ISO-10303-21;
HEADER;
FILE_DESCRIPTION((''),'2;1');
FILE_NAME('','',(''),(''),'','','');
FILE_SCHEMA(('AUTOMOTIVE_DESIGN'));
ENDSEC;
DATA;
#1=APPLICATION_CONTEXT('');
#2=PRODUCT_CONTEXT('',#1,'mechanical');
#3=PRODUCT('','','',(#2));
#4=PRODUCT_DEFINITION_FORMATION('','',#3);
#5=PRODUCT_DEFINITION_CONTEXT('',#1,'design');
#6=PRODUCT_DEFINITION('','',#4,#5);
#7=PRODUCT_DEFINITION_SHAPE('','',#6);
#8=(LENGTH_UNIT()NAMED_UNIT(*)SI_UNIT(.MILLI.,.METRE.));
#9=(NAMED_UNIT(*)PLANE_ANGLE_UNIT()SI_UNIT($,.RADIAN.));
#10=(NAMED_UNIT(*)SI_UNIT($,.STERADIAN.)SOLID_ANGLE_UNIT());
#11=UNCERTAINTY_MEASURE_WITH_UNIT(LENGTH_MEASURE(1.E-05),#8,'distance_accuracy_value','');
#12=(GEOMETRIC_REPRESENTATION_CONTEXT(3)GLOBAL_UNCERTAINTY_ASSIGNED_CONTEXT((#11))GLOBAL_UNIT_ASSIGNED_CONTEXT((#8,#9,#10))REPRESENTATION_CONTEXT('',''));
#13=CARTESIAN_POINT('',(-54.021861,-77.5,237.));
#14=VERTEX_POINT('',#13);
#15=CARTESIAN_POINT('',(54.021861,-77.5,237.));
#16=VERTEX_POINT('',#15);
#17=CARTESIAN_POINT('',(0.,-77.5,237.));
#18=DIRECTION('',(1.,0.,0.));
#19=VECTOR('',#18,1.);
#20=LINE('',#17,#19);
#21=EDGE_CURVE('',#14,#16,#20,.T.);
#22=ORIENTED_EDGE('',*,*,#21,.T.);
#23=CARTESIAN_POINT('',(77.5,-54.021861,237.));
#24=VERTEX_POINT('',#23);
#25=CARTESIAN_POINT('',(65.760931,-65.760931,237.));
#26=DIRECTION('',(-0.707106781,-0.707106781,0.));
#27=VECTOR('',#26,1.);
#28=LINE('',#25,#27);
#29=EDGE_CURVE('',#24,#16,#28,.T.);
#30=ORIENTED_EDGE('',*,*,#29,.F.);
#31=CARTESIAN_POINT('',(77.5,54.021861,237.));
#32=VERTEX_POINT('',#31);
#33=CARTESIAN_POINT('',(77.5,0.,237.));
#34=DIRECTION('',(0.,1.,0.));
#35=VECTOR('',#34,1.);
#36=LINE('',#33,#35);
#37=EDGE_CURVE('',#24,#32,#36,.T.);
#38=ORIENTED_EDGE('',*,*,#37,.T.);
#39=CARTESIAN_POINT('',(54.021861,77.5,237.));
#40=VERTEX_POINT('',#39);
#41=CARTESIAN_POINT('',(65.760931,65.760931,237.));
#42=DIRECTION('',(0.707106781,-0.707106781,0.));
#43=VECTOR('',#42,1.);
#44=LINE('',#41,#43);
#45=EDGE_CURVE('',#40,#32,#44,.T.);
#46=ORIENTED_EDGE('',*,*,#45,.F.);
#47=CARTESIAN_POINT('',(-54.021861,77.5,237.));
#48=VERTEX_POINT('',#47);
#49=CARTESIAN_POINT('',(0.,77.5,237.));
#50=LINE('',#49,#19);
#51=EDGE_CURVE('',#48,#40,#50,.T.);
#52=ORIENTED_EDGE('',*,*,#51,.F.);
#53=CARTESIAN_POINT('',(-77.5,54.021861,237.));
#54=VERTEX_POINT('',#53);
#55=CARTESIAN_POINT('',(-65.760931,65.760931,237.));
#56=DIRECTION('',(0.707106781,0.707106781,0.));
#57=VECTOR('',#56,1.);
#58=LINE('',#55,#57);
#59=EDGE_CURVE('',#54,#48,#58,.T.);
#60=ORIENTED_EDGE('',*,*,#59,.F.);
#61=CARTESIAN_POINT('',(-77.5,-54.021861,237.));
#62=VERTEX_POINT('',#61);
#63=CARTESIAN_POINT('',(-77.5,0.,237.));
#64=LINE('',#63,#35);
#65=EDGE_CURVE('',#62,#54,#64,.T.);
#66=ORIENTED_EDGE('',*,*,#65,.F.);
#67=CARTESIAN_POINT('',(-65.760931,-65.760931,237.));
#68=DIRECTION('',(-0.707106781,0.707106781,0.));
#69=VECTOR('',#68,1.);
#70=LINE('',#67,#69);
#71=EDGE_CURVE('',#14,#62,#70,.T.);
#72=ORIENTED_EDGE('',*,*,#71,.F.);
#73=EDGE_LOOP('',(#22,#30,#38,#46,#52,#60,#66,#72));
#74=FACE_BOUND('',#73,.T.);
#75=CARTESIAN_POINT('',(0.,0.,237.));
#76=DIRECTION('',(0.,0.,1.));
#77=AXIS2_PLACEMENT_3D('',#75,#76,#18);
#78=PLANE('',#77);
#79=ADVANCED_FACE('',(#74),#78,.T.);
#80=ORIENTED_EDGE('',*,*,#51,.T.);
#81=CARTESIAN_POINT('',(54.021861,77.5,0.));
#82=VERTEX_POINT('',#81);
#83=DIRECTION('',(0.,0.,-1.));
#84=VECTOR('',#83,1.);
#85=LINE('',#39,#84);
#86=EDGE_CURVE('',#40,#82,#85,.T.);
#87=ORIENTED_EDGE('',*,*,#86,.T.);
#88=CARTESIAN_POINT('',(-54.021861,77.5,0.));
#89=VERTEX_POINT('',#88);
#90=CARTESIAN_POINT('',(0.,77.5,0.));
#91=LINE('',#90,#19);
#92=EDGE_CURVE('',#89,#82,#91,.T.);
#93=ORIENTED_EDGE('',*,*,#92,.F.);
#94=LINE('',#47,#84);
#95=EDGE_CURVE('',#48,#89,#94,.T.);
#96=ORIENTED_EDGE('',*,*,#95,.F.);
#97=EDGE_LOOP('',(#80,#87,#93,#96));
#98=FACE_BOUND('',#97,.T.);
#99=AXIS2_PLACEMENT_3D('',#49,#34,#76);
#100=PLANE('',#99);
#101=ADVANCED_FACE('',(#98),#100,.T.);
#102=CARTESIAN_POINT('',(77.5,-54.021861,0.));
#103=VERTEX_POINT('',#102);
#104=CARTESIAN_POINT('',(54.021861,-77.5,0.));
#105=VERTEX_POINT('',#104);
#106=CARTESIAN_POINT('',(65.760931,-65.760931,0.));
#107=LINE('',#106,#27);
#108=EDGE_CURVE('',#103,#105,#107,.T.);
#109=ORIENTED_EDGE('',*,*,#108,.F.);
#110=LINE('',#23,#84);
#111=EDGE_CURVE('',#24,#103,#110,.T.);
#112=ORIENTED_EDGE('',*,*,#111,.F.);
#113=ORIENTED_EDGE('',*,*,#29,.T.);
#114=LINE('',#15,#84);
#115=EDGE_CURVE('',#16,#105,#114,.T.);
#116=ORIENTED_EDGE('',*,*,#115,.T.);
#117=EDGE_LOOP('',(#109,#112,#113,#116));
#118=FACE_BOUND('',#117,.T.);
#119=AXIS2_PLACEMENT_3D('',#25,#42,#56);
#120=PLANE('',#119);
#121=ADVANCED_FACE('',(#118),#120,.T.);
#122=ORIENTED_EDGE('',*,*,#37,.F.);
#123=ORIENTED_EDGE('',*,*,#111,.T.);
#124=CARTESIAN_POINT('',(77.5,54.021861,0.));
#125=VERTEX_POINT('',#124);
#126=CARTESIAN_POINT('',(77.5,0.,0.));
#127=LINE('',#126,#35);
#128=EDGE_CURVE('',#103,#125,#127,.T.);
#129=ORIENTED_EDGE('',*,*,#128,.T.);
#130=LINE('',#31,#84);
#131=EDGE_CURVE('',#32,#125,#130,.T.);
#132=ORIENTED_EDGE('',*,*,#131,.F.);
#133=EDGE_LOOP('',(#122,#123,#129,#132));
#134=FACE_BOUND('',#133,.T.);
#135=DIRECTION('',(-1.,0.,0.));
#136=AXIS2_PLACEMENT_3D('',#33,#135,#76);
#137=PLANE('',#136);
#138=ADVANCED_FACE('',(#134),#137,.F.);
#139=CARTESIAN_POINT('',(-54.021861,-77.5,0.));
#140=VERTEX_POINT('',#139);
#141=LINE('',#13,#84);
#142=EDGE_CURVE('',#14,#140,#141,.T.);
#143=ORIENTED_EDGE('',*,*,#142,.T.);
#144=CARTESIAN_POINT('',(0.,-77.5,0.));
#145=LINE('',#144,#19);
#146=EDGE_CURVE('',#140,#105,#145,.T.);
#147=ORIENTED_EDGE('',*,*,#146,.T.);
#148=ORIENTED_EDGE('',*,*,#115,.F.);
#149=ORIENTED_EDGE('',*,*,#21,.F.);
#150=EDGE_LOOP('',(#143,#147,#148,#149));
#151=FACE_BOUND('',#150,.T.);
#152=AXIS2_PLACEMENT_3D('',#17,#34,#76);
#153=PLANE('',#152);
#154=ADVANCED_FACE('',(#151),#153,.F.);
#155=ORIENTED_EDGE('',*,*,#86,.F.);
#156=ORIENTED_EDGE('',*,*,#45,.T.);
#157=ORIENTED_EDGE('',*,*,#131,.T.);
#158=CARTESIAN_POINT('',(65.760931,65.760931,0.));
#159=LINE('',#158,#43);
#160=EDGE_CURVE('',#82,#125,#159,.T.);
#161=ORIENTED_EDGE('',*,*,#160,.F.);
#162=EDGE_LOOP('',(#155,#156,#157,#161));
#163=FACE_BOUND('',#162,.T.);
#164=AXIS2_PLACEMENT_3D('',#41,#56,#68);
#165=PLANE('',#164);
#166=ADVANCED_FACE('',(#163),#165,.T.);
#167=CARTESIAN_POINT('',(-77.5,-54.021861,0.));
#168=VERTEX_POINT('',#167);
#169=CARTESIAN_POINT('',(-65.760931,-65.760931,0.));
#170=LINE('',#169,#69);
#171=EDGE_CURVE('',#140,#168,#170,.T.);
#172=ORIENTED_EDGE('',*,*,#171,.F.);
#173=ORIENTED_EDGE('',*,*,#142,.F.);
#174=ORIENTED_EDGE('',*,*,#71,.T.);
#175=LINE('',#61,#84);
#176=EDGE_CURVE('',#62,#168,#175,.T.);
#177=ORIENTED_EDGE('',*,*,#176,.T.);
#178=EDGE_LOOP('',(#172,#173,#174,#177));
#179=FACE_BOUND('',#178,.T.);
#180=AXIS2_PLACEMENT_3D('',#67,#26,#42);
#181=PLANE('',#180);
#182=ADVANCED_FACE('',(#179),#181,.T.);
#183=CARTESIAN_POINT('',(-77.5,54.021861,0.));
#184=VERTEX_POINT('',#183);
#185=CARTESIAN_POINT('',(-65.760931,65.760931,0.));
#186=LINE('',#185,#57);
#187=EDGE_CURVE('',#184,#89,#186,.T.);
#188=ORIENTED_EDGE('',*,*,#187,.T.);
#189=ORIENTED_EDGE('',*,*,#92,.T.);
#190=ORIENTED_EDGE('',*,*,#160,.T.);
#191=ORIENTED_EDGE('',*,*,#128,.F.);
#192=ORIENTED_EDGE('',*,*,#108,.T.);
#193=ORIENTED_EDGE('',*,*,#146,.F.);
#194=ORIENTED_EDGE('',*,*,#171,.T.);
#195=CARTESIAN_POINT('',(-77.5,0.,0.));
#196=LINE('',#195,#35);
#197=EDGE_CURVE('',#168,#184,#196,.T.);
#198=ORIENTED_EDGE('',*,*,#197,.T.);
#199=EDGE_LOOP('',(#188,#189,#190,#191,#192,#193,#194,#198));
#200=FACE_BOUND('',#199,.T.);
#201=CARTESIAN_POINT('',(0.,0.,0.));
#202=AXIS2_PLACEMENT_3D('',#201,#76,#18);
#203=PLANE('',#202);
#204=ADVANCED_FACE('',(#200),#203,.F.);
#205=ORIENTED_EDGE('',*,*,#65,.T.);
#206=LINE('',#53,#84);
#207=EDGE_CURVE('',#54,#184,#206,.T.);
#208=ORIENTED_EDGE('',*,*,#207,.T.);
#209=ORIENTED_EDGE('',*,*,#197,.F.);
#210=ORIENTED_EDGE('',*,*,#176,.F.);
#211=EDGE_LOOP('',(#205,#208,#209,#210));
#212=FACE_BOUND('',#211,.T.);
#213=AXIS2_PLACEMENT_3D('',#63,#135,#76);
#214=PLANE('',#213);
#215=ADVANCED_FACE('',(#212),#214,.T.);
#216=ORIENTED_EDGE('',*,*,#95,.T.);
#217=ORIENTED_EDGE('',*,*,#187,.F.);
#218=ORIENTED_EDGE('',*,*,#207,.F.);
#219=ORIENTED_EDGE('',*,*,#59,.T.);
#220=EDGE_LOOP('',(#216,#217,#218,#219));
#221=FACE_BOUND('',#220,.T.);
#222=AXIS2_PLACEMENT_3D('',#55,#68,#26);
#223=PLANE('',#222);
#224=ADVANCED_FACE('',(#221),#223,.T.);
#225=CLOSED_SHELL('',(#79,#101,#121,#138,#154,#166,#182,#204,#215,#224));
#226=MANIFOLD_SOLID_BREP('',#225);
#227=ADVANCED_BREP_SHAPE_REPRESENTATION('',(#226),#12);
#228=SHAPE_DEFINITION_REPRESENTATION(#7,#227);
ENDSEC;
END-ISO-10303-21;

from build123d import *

# Parameters (mm, degrees)
EXTRUDE_2_DEPTH = 237


with BuildPart() as part:
    # 草图3 → 凸台-拉伸2 (new body)
    with BuildSketch(Plane.XY):
        Polygon((-77.5, -54.021861301), (-54.021861301, -77.5), (54.021861301, -77.5), (77.5, -54.021861301), (77.5, 54.021861301), (54.021861301, 77.5), (-54.021861301, 77.5), (-77.5, 54.021861301), align=None)
    extrude(amount=EXTRUDE_2_DEPTH)


solid = part.part
